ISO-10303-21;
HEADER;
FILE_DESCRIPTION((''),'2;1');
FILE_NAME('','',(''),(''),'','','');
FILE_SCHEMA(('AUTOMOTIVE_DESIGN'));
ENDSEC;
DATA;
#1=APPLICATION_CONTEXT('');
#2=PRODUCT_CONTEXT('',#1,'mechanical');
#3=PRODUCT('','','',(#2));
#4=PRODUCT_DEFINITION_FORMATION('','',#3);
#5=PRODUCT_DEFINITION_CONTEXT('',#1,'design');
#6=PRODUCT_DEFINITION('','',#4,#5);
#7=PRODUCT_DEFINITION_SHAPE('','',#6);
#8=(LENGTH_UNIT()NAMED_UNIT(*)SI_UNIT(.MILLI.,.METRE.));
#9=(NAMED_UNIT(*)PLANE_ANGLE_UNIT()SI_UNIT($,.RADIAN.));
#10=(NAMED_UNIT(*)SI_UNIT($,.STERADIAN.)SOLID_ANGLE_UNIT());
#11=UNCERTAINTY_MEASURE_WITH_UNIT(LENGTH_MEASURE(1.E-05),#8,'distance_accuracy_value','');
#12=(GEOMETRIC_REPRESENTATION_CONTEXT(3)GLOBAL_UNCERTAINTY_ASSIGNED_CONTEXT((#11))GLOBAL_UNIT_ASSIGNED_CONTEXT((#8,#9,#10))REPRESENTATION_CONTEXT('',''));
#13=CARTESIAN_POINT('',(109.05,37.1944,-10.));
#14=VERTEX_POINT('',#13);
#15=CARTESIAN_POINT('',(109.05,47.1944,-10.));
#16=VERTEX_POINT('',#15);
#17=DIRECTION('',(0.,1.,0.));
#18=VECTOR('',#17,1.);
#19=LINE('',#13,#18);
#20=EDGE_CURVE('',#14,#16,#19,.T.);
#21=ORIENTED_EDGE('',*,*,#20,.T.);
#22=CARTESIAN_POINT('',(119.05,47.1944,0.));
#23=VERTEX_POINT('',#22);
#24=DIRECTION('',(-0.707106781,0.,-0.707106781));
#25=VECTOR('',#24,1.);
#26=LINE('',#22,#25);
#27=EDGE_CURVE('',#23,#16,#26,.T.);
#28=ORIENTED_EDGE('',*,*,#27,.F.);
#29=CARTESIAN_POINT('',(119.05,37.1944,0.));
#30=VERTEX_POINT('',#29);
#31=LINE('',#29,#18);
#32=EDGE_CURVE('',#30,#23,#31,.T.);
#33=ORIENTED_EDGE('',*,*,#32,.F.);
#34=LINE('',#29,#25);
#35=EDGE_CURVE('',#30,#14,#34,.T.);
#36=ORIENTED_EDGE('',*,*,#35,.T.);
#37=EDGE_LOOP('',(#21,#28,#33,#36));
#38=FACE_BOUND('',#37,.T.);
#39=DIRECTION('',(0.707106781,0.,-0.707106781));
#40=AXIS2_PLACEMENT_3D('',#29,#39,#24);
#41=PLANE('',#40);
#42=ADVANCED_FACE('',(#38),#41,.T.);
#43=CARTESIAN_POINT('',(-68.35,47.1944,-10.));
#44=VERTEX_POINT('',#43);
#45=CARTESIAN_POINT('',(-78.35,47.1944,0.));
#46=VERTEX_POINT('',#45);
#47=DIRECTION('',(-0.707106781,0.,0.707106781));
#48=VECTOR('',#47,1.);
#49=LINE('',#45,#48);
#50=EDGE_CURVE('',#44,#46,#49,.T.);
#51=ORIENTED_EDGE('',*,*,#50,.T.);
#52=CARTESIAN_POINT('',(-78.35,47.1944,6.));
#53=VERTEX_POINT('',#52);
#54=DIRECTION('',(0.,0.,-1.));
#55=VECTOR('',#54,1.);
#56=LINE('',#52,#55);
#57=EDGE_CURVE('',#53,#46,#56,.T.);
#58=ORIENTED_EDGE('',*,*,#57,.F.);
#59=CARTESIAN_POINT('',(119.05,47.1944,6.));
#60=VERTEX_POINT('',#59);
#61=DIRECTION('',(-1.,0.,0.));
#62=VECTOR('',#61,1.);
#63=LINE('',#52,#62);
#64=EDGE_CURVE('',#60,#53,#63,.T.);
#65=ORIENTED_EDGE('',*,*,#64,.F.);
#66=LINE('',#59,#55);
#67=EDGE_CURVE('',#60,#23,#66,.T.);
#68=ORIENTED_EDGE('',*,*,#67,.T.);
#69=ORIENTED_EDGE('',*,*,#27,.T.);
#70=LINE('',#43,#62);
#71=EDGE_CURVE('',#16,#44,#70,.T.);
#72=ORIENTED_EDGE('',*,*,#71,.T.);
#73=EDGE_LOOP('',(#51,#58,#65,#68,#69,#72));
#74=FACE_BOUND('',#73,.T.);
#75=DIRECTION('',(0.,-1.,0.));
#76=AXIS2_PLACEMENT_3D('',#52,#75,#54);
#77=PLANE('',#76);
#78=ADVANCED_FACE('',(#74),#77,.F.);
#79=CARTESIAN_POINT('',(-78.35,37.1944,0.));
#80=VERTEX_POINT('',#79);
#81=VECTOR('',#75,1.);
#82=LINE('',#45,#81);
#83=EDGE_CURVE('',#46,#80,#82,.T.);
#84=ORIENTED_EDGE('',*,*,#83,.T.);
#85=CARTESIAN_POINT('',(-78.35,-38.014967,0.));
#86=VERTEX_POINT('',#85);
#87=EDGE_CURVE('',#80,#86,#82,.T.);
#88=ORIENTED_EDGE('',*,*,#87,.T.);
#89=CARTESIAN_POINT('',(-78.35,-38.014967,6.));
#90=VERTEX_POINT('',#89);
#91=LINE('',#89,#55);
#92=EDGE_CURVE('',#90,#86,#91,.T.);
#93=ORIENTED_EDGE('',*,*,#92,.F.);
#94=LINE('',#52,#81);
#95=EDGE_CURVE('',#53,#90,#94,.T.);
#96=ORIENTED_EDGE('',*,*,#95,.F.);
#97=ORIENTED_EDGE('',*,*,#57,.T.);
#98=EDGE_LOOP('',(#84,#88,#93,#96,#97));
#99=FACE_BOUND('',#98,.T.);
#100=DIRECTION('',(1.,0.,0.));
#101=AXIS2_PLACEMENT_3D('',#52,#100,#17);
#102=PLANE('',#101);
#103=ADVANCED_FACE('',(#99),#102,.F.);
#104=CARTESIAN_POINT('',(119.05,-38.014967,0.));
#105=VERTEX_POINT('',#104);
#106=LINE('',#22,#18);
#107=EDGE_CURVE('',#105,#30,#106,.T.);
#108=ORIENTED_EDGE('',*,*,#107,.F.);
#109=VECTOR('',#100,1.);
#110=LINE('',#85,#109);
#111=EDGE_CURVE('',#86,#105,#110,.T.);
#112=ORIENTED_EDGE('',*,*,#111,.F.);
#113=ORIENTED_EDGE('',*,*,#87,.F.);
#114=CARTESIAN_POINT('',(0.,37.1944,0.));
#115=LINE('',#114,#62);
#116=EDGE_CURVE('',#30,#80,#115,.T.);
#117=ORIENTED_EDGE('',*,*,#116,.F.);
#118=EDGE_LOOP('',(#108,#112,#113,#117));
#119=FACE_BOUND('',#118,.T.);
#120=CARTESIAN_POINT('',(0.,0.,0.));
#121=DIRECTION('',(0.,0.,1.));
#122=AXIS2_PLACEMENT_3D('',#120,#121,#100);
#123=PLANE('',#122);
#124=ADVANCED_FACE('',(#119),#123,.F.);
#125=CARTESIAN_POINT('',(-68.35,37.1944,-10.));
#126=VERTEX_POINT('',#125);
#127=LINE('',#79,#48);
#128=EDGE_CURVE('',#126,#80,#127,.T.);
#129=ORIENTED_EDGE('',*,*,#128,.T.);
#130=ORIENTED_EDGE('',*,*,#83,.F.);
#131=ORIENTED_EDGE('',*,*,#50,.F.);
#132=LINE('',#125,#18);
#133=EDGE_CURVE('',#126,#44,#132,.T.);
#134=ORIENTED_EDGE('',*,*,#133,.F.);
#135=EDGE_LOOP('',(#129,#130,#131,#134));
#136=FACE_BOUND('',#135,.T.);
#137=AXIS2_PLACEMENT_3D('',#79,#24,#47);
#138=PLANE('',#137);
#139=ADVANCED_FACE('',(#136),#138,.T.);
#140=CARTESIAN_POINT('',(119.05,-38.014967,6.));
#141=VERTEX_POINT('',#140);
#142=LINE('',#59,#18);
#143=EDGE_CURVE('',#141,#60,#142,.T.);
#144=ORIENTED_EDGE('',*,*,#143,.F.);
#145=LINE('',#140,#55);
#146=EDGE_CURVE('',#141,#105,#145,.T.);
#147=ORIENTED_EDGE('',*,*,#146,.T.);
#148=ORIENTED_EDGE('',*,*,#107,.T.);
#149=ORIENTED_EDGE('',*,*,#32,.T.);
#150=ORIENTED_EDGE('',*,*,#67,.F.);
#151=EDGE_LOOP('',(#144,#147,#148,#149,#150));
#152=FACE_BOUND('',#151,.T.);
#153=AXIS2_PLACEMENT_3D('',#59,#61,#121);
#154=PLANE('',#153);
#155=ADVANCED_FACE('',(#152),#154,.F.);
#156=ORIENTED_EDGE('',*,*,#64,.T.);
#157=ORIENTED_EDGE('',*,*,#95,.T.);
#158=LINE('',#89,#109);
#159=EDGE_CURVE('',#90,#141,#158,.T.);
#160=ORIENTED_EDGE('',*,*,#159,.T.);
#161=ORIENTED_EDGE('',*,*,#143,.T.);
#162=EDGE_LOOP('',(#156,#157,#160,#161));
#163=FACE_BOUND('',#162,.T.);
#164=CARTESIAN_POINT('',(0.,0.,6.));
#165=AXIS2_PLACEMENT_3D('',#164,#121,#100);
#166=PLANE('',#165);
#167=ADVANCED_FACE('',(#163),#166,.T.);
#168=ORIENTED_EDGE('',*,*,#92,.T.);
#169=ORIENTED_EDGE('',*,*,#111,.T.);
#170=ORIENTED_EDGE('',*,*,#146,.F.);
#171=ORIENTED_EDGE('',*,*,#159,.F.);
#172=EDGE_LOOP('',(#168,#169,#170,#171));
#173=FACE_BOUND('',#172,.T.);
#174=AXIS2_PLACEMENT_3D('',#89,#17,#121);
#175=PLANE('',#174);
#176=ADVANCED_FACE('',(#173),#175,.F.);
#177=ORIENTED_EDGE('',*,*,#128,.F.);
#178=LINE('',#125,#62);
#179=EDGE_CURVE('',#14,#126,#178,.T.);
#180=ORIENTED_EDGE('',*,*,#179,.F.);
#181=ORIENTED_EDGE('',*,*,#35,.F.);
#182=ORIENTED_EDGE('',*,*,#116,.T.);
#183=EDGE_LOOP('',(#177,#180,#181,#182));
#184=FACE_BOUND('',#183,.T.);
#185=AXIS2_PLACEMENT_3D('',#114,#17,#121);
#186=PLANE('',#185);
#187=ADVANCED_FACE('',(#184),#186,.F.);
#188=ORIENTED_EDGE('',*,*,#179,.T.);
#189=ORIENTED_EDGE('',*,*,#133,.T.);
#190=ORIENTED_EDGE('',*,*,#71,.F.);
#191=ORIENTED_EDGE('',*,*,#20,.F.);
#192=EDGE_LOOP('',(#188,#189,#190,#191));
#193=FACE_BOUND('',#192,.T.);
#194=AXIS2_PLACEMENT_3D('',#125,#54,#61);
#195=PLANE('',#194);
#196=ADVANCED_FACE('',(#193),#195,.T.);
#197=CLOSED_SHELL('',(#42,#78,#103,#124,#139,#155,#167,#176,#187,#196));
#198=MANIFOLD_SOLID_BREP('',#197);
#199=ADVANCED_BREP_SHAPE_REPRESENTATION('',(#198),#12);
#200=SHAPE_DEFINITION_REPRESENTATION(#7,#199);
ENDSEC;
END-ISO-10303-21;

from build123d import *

# Parameters (mm, degrees)
SKETCH1_W           = 197.4
SKETCH1_H           = 85.209366976
BOSS_EXTRUDE1_DEPTH = 6
BOSS_EXTRUDE2_DEPTH = 10


with BuildPart() as part:
    # Sketch1 → Boss-Extrude1 (new body)
    with BuildSketch(Plane.XY):
        with Locations((20.35, 4.589716511)):
            Rectangle(SKETCH1_W, SKETCH1_H)
    extrude(amount=BOSS_EXTRUDE1_DEPTH)

    # Sketch2 → Boss-Extrude2 (add)
    with BuildSketch(Plane(origin=(0, 47.194399999, 0), x_dir=(1, 0, 0), z_dir=(0, 1, 0))):
        Polygon((-78.35, 0), (-68.35, 10), (109.05, 10), (119.05, 0), (119.05, -6), (-78.35, -6), align=None)
    extrude(amount=-BOSS_EXTRUDE2_DEPTH)


solid = part.part
